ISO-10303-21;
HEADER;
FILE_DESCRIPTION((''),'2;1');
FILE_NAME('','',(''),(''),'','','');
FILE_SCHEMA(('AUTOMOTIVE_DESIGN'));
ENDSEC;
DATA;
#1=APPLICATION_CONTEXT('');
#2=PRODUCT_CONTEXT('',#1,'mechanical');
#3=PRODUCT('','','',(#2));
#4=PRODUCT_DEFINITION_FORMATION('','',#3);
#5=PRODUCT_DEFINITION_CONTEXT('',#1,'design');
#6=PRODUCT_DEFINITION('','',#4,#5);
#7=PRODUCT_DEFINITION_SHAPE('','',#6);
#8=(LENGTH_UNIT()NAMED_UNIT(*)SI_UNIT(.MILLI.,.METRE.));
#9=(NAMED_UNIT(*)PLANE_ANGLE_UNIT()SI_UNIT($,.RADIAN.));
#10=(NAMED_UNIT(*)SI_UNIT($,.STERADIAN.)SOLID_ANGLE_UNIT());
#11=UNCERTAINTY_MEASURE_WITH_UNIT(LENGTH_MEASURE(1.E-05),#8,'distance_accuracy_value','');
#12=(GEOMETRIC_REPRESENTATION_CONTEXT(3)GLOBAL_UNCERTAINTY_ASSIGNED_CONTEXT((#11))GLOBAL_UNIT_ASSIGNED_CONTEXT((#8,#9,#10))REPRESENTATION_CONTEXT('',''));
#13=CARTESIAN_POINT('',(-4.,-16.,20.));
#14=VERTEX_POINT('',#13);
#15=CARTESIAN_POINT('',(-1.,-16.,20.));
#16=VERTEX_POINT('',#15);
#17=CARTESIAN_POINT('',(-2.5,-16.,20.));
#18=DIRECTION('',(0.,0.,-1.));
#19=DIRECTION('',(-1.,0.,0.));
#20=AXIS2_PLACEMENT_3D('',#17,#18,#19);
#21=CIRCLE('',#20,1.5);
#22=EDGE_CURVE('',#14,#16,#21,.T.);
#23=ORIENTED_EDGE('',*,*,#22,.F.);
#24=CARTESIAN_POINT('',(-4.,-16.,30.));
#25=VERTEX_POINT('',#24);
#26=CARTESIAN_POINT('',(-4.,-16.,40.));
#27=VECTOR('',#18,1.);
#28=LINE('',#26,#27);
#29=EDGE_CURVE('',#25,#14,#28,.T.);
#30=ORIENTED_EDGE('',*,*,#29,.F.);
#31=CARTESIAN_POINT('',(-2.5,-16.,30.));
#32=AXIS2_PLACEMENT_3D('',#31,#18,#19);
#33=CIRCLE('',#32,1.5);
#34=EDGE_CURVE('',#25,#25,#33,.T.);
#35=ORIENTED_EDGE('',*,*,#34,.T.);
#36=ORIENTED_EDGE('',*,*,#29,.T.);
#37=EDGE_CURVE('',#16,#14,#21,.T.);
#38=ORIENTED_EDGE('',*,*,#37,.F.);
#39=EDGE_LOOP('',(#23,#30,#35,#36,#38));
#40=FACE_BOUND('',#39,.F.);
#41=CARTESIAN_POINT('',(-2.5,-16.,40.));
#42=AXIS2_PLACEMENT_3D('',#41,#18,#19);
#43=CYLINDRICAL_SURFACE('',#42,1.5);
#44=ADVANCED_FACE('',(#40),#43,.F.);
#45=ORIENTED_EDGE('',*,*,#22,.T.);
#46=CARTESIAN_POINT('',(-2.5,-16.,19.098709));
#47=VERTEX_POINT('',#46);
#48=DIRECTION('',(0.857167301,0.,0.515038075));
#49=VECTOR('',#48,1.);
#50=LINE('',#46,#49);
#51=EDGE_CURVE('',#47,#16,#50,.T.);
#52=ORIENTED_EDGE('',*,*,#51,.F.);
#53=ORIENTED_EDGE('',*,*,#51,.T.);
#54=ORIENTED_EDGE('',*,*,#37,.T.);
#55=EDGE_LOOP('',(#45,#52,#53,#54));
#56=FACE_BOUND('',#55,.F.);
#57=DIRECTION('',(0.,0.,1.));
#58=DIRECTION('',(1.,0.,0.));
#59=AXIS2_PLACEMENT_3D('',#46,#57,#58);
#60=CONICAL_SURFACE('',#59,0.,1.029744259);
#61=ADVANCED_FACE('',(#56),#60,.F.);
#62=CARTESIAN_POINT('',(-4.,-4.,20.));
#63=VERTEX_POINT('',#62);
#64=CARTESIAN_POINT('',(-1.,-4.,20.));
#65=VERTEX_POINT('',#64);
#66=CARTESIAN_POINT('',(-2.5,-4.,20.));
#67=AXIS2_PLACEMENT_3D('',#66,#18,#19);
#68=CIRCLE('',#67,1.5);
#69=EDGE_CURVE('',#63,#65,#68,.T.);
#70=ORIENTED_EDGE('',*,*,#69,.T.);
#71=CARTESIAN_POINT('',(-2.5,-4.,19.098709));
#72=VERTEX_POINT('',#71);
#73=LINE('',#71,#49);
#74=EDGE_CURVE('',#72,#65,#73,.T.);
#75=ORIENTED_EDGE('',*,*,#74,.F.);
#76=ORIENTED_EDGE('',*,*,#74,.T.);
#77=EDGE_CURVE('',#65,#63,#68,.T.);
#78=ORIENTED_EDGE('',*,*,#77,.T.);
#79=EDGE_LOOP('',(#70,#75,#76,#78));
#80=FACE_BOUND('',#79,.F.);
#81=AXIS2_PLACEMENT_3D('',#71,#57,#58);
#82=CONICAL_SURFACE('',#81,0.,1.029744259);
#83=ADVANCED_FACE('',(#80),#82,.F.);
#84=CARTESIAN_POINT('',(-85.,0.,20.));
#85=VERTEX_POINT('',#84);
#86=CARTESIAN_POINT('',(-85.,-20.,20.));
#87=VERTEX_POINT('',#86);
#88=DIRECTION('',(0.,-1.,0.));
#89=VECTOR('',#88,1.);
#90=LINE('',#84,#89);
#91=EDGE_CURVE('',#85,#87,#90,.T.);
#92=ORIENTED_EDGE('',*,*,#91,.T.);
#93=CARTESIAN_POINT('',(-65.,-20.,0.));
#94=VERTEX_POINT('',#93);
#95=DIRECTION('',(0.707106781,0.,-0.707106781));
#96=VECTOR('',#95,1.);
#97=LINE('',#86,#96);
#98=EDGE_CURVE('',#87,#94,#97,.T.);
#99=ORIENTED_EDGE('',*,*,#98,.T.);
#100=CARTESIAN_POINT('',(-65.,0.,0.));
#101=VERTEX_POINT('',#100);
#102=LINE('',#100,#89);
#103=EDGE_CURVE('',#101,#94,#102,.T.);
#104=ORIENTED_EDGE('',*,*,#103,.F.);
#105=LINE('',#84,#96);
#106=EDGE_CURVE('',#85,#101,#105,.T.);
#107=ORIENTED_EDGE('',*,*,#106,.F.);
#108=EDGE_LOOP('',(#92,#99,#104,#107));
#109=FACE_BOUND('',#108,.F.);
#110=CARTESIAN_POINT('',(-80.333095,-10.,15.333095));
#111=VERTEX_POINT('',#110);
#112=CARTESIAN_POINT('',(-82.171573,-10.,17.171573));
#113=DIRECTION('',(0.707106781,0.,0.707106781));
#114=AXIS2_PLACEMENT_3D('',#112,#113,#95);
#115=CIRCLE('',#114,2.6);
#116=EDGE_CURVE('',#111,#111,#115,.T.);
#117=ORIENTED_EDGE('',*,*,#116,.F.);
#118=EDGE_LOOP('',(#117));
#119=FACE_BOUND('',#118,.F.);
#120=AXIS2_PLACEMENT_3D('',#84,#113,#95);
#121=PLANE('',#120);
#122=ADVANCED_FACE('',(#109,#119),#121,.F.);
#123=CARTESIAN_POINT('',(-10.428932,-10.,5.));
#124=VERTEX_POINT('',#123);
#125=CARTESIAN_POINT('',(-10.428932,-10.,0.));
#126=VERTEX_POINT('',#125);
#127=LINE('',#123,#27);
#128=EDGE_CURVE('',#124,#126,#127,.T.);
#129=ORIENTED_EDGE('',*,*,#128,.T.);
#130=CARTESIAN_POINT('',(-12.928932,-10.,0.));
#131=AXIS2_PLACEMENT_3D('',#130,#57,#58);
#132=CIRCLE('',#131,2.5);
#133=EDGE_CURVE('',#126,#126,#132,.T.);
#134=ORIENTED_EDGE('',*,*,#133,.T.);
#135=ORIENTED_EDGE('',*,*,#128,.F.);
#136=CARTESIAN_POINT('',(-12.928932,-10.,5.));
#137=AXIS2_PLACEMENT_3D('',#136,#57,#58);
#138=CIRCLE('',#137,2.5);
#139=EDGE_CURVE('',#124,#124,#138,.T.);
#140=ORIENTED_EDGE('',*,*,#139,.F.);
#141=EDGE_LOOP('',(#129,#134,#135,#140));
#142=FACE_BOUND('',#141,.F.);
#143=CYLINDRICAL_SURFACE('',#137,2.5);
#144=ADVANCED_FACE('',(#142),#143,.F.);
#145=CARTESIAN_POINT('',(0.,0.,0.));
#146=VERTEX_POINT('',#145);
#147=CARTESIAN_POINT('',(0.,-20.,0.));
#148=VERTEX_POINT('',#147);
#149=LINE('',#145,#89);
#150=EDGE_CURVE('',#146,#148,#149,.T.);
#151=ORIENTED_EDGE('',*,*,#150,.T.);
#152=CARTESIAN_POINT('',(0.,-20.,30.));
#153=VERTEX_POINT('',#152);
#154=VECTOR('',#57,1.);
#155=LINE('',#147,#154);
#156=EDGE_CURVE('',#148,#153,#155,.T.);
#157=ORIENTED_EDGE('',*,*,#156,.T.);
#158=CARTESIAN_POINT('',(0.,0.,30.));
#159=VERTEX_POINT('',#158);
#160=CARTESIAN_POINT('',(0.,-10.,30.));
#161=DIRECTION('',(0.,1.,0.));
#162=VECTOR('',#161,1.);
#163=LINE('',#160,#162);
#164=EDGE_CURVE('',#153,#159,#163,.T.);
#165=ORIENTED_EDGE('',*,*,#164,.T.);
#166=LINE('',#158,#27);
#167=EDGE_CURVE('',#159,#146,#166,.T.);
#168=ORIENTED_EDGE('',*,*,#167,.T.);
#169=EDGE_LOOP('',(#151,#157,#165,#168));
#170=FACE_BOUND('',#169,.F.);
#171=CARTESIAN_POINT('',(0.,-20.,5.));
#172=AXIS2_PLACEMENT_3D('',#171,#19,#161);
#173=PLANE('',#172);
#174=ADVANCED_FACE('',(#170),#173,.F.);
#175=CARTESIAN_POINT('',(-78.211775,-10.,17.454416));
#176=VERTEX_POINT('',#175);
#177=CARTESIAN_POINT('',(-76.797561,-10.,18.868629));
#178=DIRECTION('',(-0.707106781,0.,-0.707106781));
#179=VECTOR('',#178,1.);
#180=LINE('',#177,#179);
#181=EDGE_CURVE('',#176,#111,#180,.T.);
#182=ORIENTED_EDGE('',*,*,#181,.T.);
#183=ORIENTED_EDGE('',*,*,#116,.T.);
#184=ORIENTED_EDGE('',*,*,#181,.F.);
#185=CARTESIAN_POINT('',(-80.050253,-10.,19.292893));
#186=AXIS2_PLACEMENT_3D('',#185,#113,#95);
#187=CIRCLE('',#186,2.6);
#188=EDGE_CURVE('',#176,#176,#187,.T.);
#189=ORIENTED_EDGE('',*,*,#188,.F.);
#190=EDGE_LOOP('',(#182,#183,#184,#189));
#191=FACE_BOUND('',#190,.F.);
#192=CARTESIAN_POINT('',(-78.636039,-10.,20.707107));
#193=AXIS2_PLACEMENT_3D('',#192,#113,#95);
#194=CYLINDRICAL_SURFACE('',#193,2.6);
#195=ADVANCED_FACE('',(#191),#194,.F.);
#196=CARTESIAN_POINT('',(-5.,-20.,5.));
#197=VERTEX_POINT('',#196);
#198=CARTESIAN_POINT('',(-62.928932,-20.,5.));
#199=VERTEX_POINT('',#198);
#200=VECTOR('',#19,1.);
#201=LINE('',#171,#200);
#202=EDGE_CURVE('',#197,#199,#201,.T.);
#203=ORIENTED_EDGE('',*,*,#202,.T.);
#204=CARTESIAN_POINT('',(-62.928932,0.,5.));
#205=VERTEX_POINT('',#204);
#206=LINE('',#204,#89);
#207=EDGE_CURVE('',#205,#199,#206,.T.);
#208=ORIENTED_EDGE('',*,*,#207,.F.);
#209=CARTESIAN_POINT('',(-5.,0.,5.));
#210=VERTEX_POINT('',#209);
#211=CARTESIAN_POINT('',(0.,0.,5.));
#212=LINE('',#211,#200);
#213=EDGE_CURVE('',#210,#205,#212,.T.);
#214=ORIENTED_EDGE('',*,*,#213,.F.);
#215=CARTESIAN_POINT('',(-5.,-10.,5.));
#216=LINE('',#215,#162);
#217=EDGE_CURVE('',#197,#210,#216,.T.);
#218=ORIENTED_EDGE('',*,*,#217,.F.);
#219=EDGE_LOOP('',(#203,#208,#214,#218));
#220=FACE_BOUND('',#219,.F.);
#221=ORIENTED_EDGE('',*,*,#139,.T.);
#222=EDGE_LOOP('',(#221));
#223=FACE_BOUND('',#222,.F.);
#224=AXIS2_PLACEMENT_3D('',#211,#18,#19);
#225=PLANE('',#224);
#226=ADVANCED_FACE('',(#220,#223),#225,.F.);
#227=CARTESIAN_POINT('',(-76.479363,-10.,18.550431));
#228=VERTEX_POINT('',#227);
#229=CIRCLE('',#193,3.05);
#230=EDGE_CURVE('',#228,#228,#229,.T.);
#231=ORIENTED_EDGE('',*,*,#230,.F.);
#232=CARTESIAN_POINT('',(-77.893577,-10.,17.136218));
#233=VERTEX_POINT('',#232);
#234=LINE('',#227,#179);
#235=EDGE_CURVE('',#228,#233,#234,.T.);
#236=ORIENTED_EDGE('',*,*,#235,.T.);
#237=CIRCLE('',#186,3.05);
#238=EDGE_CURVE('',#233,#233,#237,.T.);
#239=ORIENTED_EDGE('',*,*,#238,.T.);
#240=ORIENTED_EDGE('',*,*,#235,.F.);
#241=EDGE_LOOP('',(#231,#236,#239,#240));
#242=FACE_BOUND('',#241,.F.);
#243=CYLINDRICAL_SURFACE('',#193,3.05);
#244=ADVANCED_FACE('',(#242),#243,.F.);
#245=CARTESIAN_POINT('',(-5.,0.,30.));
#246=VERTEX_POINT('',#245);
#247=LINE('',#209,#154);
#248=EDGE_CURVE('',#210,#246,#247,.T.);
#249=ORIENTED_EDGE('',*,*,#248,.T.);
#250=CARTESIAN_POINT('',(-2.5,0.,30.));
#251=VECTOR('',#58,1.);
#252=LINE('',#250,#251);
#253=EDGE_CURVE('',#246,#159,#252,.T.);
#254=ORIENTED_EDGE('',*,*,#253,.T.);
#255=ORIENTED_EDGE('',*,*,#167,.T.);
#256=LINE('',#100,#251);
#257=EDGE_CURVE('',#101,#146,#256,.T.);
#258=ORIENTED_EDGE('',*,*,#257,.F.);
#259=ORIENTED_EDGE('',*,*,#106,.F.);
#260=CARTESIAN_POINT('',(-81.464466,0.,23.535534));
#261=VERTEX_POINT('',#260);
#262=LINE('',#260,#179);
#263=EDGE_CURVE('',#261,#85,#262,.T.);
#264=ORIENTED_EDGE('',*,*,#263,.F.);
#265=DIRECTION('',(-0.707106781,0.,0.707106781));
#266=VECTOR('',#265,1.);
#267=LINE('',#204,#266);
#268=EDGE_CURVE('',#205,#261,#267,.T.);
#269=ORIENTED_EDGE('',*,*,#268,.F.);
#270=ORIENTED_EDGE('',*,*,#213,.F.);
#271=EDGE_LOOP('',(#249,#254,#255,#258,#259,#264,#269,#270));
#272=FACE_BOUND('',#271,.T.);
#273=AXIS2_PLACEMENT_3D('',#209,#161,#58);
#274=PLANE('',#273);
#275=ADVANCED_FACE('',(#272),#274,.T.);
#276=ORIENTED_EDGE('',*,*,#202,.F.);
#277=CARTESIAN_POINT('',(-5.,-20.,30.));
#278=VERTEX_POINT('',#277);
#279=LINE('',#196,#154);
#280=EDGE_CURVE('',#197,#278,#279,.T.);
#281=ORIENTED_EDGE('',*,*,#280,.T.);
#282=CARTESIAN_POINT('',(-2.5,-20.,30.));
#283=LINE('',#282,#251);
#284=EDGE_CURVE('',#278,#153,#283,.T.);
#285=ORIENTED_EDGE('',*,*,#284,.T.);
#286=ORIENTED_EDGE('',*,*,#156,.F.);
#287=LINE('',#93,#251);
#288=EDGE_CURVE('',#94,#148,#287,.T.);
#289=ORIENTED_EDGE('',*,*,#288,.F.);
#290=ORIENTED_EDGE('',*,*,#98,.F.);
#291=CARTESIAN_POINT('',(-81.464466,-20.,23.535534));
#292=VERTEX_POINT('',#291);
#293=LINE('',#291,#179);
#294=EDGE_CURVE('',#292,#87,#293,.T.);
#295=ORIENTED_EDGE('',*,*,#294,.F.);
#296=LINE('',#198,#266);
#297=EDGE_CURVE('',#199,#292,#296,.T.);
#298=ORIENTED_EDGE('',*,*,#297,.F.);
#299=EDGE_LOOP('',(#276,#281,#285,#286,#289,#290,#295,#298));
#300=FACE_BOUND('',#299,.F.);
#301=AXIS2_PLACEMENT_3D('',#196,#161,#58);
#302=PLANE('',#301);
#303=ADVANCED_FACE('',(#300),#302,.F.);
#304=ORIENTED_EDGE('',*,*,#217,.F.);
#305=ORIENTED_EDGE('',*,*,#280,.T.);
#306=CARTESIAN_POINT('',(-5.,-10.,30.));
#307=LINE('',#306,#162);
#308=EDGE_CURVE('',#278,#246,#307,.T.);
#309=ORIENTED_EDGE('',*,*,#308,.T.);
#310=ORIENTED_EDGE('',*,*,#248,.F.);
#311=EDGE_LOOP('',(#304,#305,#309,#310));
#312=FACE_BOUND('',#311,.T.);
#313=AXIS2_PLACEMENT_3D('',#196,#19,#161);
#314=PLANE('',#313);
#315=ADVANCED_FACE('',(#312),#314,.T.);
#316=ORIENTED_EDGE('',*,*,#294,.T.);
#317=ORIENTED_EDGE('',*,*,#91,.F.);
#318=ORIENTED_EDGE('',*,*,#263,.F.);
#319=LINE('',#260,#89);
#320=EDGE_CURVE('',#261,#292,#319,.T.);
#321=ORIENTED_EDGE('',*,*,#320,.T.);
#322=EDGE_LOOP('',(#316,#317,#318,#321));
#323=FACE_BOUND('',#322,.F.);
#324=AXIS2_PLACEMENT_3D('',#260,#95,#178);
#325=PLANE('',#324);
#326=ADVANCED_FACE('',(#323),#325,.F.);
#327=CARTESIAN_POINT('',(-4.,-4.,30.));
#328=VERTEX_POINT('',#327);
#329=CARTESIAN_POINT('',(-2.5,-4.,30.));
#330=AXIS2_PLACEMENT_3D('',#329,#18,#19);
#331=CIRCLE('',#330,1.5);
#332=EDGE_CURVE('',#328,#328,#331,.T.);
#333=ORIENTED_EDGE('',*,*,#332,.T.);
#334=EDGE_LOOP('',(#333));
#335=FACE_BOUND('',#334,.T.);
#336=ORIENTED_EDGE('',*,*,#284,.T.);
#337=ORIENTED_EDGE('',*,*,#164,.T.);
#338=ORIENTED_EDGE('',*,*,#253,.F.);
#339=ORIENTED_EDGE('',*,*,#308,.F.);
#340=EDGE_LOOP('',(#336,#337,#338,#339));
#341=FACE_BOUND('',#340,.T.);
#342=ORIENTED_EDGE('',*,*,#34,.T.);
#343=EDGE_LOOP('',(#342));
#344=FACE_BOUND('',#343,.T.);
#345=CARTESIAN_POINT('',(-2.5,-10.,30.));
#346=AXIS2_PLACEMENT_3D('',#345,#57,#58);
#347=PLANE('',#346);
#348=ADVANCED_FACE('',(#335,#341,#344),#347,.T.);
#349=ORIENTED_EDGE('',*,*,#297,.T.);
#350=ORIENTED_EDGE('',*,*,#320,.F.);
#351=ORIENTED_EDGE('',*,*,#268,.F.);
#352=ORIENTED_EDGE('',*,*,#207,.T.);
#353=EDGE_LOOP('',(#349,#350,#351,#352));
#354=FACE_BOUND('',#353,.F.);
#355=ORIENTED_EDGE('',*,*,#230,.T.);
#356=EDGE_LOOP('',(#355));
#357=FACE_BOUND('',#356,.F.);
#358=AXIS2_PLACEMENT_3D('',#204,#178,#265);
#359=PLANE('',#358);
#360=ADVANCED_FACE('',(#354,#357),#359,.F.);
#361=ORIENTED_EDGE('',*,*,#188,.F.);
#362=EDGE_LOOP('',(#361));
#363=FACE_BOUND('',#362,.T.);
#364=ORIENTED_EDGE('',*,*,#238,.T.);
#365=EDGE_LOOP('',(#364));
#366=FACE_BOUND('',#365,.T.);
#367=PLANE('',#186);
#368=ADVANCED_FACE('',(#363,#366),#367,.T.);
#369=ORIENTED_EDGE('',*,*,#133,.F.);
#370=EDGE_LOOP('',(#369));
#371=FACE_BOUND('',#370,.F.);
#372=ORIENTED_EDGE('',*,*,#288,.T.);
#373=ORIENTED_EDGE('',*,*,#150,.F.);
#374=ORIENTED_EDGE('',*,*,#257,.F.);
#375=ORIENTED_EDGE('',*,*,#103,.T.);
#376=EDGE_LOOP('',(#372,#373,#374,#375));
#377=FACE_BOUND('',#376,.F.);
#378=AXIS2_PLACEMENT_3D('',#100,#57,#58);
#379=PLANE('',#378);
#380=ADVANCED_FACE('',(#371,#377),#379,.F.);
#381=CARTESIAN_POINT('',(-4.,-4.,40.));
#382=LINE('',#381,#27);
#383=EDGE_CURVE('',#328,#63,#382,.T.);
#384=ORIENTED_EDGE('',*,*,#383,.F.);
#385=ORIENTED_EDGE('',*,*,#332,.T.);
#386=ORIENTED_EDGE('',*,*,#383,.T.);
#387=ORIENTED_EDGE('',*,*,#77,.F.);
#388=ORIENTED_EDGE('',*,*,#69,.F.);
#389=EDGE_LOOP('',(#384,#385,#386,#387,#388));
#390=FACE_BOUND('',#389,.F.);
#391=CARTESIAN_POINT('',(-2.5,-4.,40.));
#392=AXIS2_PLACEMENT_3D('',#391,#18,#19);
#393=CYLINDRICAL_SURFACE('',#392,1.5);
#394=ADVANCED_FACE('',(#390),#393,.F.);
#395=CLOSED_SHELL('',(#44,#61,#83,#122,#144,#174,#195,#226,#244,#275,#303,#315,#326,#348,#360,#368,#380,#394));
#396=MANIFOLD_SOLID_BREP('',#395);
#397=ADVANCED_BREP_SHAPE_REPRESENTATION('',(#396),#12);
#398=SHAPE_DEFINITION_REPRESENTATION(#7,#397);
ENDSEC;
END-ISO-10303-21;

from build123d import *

# Parameters (mm, degrees)
F1_DEPTH  = 20
F2_R      = 2.6
F3_DEPTH  = 19.1431356237
F4_R      = 2.5
F5_DEPTH  = 5.001
F6_R      = 3.05
F7_DEPTH  = 2
F8_W      = 5
F8_H      = 20
F9_DEPTH  = 25
F11_D     = 3
F11_DEPTH = 10
F11_TIP   = 0.9012909285


with BuildPart() as f1:
    # F0 (on Front) → F1 (new body)
    with BuildSketch(Plane.XZ):
        Polygon((-65, 0), (0, 0), (0, 5), (-62.9289321881, 5), (-81.4644660941, 23.5355339059), (-85, 20), align=None)
    extrude(amount=F1_DEPTH)

    # F2 (on face) → F3 (cut, through all)
    with BuildSketch(Plane(origin=(-28.9644660941, 0, -28.9644660941), x_dir=(0.7071067812, 0, -0.7071067812), z_dir=(0.7071067812, 0, 0.7071067812))):
        with Locations((-70.2462120246, -10)):
            Circle(F2_R)
    extrude(amount=-F3_DEPTH, mode=Mode.SUBTRACT)

    # F4 (on face) → F5 (cut, through all)
    with BuildSketch(Plane.XY.offset(5)):
        with Locations((-12.9289321881, -10)):
            Circle(F4_R)
    extrude(amount=-F5_DEPTH, mode=Mode.SUBTRACT)

    # F6 (on face) → F7 (cut)
    with BuildSketch(Plane(origin=(-28.9644660941, 0, -28.9644660941), x_dir=(0.7071067812, 0, -0.7071067812), z_dir=(0.7071067812, 0, 0.7071067812))):
        with Locations((-70.2462120246, -10)):
            Circle(F6_R)
    extrude(amount=-F7_DEPTH, mode=Mode.SUBTRACT)

    # F8 (on face) → F9 (join)
    with BuildSketch(Plane.XY.offset(5)):
        with Locations((-2.5, -10)):
            Rectangle(F8_W, F8_H)
    extrude(amount=F9_DEPTH)

    # F11
    with Locations(Plane.XY.offset(30)):
        with Locations((-2.5, -16), (-2.5, -4)):
            Hole(F11_D / 2, depth=F11_DEPTH)
            with Locations((0, 0, -(F11_DEPTH + F11_TIP / 2))):  # 118° drill point
                Cone(0, F11_D / 2, F11_TIP, mode=Mode.SUBTRACT)


solid = f1.part
